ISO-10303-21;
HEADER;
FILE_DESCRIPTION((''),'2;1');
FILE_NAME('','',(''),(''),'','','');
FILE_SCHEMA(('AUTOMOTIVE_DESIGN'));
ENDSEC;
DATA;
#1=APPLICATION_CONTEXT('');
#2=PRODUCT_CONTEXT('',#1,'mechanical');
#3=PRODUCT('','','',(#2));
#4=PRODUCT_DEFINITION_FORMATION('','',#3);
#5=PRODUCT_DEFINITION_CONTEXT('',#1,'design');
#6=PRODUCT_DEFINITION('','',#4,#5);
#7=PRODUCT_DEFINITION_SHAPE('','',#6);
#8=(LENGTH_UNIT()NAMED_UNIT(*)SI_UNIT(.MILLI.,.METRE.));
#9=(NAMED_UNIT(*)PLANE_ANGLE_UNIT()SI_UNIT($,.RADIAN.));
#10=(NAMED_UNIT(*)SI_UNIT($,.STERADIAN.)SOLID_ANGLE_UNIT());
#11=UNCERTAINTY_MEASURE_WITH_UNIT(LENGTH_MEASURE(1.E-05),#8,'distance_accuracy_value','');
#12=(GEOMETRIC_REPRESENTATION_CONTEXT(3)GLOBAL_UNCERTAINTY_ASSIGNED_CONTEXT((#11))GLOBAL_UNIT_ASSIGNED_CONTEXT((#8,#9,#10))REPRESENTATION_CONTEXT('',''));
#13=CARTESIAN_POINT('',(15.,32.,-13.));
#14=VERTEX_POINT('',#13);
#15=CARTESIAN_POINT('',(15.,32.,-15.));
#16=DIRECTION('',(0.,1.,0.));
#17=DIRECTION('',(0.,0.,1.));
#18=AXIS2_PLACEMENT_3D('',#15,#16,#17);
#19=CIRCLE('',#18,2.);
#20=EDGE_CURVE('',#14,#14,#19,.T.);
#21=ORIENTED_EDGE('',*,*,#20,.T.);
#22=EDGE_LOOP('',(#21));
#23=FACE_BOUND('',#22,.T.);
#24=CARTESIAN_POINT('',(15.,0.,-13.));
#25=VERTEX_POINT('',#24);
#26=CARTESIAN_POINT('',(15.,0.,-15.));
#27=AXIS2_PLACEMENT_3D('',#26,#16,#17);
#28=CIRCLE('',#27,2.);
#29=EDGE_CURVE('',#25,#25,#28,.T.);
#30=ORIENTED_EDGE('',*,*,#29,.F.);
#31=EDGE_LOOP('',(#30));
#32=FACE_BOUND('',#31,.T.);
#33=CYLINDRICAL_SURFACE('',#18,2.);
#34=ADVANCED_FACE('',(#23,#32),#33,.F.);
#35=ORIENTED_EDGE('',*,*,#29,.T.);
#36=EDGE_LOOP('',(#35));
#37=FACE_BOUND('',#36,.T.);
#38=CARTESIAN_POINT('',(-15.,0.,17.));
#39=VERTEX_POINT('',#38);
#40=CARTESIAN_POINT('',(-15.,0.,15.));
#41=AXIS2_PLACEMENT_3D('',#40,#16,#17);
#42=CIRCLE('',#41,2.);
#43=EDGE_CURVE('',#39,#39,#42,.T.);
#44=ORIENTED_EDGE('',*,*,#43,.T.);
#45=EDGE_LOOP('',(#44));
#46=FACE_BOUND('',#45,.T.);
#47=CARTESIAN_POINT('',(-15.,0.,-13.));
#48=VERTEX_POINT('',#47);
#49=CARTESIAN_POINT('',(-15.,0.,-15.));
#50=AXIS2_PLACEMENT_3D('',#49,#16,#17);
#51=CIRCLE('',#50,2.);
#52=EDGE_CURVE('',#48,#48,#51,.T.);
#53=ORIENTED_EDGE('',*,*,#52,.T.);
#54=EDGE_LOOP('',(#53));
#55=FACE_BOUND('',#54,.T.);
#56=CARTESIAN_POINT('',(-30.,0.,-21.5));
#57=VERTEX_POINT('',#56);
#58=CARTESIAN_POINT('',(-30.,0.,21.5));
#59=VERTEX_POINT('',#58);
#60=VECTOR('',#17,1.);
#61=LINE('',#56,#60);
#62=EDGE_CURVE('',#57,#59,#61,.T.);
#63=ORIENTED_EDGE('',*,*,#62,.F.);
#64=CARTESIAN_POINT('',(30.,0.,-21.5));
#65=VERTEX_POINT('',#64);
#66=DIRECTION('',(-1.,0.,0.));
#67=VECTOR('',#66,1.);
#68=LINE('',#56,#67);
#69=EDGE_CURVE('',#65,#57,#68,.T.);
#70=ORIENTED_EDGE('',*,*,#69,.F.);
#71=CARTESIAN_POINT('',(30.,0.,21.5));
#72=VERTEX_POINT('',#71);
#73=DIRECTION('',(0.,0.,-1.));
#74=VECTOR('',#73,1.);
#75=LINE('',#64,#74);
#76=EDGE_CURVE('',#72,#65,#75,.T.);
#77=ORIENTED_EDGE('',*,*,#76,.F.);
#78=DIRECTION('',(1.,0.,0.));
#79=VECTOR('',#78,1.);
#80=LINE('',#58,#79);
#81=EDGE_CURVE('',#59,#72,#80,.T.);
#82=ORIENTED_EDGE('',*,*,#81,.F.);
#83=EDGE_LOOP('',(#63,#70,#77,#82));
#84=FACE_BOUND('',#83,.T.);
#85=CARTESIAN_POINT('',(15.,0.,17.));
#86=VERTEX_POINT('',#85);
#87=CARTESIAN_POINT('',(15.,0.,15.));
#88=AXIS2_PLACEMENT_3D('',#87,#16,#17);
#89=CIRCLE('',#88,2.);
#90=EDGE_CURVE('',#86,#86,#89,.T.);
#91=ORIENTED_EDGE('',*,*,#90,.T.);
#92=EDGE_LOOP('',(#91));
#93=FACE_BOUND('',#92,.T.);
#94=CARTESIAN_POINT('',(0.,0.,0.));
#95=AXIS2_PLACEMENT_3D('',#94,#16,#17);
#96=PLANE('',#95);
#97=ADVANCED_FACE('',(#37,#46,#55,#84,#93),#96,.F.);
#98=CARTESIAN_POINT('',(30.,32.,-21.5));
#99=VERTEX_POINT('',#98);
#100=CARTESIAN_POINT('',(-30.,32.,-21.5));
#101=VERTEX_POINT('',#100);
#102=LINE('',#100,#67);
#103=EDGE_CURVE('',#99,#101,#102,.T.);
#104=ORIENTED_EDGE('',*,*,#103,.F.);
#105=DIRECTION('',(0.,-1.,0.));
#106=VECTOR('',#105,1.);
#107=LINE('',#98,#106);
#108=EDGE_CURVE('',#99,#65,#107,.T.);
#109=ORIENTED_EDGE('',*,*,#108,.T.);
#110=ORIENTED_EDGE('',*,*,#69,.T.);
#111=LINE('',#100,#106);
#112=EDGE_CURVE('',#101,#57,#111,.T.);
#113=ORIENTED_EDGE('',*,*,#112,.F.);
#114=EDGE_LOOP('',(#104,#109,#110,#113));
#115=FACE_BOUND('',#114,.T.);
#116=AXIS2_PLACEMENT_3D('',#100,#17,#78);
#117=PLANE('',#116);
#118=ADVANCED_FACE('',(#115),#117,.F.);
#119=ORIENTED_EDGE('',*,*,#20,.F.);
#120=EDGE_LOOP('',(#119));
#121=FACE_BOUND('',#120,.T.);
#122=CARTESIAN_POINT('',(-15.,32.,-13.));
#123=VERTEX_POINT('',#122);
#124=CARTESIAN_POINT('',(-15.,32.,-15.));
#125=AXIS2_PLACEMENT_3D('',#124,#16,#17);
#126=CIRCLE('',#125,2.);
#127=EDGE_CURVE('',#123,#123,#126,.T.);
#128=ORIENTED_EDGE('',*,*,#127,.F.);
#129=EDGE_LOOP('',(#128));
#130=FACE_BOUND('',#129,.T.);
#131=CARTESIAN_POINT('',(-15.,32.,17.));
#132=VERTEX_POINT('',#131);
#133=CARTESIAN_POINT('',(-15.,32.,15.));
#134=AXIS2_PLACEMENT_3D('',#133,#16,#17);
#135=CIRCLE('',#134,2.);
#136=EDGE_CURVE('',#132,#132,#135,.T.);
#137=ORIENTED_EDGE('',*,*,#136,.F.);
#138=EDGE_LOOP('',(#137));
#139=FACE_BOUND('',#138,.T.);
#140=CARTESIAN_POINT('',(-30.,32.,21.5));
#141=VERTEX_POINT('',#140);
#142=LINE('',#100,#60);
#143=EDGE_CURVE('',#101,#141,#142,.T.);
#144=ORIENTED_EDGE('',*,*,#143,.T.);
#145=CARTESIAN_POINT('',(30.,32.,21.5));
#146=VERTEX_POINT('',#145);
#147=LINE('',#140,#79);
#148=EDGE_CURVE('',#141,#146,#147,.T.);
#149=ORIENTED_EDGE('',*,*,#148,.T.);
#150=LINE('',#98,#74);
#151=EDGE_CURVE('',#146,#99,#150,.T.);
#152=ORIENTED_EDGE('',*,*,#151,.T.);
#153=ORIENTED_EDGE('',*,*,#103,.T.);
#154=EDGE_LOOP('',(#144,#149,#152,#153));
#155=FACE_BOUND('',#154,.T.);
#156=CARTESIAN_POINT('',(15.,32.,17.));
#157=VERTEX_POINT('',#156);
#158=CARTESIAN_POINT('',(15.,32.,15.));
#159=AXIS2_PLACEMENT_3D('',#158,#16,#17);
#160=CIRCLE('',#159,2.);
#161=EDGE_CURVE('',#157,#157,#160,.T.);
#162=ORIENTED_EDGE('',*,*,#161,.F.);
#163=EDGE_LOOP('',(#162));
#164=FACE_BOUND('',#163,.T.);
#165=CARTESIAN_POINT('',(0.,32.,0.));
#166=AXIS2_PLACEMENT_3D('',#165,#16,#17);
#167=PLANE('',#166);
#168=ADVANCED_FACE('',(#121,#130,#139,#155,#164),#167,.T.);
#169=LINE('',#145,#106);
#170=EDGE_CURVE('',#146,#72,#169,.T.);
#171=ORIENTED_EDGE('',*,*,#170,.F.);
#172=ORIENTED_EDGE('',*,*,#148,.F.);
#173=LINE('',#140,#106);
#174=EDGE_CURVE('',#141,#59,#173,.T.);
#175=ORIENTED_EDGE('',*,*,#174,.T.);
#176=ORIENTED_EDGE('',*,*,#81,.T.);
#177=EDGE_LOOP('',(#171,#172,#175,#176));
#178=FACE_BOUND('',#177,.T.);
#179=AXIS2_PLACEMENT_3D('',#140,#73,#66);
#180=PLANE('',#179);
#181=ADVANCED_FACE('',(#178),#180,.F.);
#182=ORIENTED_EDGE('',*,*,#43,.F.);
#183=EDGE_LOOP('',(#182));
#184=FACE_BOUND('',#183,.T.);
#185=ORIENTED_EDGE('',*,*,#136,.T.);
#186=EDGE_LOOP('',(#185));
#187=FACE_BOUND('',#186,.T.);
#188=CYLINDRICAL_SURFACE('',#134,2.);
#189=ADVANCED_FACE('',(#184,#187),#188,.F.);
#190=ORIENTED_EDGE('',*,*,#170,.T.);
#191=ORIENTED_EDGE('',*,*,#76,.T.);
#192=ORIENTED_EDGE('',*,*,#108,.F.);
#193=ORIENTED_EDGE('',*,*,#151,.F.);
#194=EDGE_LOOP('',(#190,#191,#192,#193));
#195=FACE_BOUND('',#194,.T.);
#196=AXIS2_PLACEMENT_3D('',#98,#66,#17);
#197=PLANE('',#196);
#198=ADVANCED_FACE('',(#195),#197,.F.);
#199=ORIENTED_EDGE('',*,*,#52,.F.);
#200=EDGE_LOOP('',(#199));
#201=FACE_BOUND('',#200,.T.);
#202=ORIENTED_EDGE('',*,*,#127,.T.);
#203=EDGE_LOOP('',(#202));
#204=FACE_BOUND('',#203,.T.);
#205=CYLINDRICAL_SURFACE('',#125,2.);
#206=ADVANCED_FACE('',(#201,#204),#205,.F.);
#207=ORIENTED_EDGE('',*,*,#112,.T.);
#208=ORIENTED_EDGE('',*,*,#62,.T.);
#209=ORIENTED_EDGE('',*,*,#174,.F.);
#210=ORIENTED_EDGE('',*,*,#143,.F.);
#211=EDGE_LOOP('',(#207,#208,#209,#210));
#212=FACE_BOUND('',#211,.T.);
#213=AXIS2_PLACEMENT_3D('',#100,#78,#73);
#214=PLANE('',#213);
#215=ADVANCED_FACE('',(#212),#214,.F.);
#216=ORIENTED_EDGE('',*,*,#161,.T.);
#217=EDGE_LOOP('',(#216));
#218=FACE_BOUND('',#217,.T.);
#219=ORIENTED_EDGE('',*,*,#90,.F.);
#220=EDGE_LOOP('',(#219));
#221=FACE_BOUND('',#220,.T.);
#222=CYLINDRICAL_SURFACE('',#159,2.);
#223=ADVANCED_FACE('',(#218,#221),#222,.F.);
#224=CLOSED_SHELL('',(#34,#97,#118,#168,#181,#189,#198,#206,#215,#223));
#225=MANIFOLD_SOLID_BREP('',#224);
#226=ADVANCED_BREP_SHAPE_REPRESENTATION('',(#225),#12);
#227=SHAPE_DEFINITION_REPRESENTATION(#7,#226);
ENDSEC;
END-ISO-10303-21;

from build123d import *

# Parameters (mm, degrees)
SKETCH1_W             = 60
SKETCH1_H             = 43
BOSS_EXTRUDE1_DEPTH   = 32
F_4_0MM_DOWEL_HOLE1_D = 4


with BuildPart() as part:
    # Sketch1 → Boss-Extrude1 (new body)
    with BuildSketch(Plane(origin=(0, 0, 0), x_dir=(1, 0, 0), z_dir=(0, 1, 0))):
        Rectangle(SKETCH1_W, SKETCH1_H)
    extrude(amount=BOSS_EXTRUDE1_DEPTH)

    # Ø4.0mm Dowel Hole1 (through all)
    with Locations(Plane(origin=(-15, 32, -15), x_dir=(0, 0, 1), z_dir=(0, 1, 0))):
        with Locations((0, 0), (30, 0), (30, 30), (0, 30)):
            Hole(F_4_0MM_DOWEL_HOLE1_D / 2)


solid = part.part
